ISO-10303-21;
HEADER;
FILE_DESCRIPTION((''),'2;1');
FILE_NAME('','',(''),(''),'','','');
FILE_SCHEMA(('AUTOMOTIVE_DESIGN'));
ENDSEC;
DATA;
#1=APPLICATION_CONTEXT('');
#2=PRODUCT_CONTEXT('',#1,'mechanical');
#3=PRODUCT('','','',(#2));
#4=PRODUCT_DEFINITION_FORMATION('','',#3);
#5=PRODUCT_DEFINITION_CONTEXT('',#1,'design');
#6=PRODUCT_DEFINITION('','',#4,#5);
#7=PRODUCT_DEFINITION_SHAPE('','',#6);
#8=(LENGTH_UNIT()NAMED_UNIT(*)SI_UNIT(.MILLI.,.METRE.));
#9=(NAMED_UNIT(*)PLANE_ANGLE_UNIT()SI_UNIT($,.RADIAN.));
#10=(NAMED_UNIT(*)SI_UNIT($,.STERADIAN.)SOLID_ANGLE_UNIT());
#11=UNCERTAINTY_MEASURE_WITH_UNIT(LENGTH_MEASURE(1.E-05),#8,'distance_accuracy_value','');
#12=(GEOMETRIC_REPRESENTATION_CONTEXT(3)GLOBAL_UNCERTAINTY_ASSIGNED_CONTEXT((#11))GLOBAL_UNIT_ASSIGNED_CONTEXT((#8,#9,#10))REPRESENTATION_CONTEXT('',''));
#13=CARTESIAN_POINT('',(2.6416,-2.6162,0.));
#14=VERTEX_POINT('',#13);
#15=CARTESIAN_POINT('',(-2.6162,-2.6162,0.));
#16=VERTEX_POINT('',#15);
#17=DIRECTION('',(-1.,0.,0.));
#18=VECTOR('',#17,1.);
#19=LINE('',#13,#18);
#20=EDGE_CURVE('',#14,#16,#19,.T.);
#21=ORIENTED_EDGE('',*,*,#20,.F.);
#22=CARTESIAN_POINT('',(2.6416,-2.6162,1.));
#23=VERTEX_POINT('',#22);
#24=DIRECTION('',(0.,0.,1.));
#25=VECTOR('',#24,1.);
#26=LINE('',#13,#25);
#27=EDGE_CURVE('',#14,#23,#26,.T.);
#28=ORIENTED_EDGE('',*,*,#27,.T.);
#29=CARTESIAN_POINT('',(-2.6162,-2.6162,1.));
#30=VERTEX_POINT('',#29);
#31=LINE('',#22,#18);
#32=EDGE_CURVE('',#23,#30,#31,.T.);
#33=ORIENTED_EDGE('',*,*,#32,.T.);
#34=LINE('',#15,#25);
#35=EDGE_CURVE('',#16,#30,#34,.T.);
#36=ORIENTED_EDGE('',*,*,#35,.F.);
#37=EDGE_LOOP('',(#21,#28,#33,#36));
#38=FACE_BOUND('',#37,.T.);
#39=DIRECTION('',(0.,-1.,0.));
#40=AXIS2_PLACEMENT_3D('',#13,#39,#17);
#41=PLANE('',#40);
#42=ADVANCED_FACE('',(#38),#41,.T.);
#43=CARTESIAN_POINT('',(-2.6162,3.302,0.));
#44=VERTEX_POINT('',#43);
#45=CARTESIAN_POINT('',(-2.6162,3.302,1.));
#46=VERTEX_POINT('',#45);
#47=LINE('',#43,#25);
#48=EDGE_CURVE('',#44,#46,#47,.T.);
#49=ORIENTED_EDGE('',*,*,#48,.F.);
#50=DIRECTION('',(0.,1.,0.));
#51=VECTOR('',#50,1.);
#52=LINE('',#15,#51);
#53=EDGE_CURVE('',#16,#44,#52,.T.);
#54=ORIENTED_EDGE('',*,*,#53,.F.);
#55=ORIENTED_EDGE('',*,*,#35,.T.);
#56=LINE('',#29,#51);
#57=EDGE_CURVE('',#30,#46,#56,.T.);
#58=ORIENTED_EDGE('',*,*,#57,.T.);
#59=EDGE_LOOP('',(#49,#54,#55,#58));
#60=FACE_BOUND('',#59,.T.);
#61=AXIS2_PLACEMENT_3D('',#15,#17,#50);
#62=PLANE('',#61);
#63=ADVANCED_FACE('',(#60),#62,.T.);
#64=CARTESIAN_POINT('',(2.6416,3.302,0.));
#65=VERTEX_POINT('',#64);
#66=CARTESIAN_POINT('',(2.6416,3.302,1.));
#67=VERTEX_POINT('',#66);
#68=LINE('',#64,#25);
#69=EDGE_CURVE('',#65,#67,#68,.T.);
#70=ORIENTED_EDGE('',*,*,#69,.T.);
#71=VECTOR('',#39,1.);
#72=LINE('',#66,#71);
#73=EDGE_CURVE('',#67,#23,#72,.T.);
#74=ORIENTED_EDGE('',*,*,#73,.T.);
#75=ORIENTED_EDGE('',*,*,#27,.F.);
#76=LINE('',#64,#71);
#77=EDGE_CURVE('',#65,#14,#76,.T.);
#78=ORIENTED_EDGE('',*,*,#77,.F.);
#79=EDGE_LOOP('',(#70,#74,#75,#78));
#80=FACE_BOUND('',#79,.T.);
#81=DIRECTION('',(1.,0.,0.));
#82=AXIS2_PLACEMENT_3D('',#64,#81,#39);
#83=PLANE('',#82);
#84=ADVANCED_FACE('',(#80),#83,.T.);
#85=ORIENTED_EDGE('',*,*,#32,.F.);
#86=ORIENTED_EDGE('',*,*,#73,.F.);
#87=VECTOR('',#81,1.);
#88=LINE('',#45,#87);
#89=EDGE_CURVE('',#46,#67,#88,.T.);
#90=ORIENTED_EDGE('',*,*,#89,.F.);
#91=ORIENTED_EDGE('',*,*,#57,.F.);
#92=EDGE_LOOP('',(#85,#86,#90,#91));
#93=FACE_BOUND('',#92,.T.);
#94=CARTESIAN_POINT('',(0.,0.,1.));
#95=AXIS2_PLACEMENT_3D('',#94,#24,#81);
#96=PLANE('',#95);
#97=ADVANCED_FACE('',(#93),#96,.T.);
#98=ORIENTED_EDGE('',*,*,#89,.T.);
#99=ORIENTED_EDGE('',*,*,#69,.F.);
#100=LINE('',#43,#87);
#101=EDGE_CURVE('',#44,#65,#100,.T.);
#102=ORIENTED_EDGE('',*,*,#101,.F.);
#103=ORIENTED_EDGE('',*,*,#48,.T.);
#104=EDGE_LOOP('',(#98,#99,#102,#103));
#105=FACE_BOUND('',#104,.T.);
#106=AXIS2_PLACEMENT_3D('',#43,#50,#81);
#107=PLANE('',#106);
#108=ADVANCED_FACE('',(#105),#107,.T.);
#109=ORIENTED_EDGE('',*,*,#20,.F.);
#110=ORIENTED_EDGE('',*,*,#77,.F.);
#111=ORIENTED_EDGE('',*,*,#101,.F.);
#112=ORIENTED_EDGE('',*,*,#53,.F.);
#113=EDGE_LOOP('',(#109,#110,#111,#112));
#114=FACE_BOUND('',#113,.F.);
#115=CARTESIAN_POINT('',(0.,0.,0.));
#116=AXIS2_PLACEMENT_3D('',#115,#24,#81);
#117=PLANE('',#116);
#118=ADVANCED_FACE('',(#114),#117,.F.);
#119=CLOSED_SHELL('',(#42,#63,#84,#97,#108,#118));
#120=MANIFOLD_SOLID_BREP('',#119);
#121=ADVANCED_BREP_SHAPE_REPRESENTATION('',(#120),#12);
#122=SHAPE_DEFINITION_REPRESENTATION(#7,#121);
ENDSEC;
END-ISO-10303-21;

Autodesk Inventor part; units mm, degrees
ref_plane "YZ Plane" through (0, 0, 0) normal (1, 0, 0) x (0, 1, 0)
ref_plane "XZ Plane" through (0, 0, 0) normal (0, 1, 0) x (-1, 0, 0)
ref_plane "XY Plane" through (0, 0, 0) normal (0, 0, 1) x (1, 0, 0)
sketch "LED5MM, LED-IR-THRUTSAL6100_13" plane through (0, 0, 0) normal (0, 0, 1) x (1, 0, 0)
  line L0 (-2.6162, 3.302) -> (2.6416, 3.302)
  line L1 (2.6416, 3.302) -> (2.6416, -2.6162)
  line L2 (2.6416, -2.6162) -> (-2.6162, -2.6162)
  line L3 (-2.6162, -2.6162) -> (-2.6162, 3.302)
extrude "Extrusion1" add sketch "LED5MM, LED-IR-THRUTSAL6100_13" along normal blind 1
properties part number "LED-IR-THRUTSAL6100"
